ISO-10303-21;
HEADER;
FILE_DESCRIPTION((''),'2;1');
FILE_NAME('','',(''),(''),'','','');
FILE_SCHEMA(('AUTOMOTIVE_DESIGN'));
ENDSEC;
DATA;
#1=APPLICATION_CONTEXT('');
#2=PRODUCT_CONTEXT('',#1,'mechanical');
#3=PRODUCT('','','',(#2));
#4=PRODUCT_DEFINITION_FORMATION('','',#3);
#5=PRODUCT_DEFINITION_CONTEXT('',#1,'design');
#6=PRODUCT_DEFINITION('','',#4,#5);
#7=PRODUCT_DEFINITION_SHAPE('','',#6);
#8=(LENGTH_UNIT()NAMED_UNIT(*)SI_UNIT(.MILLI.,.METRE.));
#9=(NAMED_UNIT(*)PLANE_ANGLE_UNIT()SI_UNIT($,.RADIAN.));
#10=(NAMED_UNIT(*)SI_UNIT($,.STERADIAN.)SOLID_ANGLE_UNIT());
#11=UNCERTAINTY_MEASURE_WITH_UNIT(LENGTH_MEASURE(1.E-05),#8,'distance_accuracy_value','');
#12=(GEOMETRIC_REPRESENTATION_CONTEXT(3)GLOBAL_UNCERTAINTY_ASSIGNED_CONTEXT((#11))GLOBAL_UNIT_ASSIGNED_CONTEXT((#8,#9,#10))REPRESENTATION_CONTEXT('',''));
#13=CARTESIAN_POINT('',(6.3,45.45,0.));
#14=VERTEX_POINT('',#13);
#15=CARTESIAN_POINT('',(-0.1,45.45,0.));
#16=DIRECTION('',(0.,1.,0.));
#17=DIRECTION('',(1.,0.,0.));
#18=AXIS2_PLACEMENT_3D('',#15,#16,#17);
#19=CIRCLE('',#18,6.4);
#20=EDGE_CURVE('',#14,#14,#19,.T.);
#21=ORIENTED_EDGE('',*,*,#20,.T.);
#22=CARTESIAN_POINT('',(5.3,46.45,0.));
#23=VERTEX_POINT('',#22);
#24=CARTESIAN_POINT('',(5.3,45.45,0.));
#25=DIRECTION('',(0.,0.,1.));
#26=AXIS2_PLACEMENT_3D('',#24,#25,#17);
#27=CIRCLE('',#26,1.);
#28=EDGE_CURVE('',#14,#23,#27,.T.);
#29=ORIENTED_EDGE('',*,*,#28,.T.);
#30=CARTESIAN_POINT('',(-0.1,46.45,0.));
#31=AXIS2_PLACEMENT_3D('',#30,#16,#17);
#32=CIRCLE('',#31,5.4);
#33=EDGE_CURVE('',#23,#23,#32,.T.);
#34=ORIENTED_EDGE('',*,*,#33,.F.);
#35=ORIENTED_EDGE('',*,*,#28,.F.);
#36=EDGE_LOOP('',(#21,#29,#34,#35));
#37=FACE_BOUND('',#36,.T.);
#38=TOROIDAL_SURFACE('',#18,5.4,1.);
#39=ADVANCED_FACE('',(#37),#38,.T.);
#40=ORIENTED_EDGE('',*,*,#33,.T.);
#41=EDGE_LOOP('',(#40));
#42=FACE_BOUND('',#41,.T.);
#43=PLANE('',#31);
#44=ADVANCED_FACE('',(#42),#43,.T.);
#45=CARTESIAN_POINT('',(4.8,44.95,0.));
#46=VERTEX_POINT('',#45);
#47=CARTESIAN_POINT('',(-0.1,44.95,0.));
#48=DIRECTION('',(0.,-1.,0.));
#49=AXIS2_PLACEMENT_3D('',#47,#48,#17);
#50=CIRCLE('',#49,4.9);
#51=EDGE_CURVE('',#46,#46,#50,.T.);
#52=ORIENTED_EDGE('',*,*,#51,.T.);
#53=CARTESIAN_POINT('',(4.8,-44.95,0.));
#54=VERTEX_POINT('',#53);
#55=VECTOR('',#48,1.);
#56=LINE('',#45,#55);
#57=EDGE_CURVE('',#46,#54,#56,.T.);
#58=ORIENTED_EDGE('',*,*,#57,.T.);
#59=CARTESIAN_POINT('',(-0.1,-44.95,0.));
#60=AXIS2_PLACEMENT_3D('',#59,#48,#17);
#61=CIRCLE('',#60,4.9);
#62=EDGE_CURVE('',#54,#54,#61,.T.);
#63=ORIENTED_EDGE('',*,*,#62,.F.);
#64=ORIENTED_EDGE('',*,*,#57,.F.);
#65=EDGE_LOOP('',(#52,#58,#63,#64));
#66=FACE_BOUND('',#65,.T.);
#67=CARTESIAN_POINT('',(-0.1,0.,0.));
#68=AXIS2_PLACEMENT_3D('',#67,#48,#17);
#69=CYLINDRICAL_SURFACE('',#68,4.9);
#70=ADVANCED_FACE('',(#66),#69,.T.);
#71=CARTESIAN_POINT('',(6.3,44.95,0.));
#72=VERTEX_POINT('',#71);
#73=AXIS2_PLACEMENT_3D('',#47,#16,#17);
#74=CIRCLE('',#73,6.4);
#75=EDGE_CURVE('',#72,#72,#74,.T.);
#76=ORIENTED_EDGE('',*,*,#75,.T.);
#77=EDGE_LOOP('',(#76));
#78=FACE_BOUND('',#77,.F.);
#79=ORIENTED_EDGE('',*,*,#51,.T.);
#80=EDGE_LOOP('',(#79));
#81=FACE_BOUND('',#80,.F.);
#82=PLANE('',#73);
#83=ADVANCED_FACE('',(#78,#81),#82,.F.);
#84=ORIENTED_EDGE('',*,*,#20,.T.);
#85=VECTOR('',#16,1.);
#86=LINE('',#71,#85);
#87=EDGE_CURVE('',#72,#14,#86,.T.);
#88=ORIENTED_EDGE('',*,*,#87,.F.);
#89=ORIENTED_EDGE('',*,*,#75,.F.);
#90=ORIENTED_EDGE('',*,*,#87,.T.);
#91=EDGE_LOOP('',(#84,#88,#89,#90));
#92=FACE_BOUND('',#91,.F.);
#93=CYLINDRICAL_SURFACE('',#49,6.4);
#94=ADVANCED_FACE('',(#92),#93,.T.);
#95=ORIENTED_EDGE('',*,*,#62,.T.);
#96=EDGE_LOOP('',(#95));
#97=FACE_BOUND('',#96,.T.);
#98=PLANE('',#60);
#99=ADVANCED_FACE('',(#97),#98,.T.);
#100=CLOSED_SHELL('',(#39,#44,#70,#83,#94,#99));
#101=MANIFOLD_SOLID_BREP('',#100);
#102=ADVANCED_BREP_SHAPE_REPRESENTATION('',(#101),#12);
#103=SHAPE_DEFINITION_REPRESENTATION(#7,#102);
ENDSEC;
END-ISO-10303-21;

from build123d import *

# Parameters (mm, degrees)
SKETCH011_R       = 4.9
PAD002_DEPTH      = 44.95
CYLINDER003_R     = 6.4
CYLINDER003_DEPTH = 1.5
FILLET_R          = 1


with BuildPart() as part:
    # Sketch011 → Pad002 (new body, symmetric)
    with BuildSketch(Plane.XZ):
        with Locations((-0.1, 0)):
            Circle(SKETCH011_R)
    extrude(amount=PAD002_DEPTH, both=True)

    # Cylinder003 → Cylinder003 (join)
    with BuildSketch(Plane(origin=(-0.1, 44.95, 0), x_dir=(1, 0, 0), z_dir=(0, 1, 0))):
        Circle(CYLINDER003_R)
    extrude(amount=CYLINDER003_DEPTH)

    # Fillet
    fillet_edges = [part.edges().sort_by_distance(p)[0] for p in [
        (-6.5, 46.45, 0),
    ]]
    fillet(fillet_edges, radius=FILLET_R)


solid = part.part
